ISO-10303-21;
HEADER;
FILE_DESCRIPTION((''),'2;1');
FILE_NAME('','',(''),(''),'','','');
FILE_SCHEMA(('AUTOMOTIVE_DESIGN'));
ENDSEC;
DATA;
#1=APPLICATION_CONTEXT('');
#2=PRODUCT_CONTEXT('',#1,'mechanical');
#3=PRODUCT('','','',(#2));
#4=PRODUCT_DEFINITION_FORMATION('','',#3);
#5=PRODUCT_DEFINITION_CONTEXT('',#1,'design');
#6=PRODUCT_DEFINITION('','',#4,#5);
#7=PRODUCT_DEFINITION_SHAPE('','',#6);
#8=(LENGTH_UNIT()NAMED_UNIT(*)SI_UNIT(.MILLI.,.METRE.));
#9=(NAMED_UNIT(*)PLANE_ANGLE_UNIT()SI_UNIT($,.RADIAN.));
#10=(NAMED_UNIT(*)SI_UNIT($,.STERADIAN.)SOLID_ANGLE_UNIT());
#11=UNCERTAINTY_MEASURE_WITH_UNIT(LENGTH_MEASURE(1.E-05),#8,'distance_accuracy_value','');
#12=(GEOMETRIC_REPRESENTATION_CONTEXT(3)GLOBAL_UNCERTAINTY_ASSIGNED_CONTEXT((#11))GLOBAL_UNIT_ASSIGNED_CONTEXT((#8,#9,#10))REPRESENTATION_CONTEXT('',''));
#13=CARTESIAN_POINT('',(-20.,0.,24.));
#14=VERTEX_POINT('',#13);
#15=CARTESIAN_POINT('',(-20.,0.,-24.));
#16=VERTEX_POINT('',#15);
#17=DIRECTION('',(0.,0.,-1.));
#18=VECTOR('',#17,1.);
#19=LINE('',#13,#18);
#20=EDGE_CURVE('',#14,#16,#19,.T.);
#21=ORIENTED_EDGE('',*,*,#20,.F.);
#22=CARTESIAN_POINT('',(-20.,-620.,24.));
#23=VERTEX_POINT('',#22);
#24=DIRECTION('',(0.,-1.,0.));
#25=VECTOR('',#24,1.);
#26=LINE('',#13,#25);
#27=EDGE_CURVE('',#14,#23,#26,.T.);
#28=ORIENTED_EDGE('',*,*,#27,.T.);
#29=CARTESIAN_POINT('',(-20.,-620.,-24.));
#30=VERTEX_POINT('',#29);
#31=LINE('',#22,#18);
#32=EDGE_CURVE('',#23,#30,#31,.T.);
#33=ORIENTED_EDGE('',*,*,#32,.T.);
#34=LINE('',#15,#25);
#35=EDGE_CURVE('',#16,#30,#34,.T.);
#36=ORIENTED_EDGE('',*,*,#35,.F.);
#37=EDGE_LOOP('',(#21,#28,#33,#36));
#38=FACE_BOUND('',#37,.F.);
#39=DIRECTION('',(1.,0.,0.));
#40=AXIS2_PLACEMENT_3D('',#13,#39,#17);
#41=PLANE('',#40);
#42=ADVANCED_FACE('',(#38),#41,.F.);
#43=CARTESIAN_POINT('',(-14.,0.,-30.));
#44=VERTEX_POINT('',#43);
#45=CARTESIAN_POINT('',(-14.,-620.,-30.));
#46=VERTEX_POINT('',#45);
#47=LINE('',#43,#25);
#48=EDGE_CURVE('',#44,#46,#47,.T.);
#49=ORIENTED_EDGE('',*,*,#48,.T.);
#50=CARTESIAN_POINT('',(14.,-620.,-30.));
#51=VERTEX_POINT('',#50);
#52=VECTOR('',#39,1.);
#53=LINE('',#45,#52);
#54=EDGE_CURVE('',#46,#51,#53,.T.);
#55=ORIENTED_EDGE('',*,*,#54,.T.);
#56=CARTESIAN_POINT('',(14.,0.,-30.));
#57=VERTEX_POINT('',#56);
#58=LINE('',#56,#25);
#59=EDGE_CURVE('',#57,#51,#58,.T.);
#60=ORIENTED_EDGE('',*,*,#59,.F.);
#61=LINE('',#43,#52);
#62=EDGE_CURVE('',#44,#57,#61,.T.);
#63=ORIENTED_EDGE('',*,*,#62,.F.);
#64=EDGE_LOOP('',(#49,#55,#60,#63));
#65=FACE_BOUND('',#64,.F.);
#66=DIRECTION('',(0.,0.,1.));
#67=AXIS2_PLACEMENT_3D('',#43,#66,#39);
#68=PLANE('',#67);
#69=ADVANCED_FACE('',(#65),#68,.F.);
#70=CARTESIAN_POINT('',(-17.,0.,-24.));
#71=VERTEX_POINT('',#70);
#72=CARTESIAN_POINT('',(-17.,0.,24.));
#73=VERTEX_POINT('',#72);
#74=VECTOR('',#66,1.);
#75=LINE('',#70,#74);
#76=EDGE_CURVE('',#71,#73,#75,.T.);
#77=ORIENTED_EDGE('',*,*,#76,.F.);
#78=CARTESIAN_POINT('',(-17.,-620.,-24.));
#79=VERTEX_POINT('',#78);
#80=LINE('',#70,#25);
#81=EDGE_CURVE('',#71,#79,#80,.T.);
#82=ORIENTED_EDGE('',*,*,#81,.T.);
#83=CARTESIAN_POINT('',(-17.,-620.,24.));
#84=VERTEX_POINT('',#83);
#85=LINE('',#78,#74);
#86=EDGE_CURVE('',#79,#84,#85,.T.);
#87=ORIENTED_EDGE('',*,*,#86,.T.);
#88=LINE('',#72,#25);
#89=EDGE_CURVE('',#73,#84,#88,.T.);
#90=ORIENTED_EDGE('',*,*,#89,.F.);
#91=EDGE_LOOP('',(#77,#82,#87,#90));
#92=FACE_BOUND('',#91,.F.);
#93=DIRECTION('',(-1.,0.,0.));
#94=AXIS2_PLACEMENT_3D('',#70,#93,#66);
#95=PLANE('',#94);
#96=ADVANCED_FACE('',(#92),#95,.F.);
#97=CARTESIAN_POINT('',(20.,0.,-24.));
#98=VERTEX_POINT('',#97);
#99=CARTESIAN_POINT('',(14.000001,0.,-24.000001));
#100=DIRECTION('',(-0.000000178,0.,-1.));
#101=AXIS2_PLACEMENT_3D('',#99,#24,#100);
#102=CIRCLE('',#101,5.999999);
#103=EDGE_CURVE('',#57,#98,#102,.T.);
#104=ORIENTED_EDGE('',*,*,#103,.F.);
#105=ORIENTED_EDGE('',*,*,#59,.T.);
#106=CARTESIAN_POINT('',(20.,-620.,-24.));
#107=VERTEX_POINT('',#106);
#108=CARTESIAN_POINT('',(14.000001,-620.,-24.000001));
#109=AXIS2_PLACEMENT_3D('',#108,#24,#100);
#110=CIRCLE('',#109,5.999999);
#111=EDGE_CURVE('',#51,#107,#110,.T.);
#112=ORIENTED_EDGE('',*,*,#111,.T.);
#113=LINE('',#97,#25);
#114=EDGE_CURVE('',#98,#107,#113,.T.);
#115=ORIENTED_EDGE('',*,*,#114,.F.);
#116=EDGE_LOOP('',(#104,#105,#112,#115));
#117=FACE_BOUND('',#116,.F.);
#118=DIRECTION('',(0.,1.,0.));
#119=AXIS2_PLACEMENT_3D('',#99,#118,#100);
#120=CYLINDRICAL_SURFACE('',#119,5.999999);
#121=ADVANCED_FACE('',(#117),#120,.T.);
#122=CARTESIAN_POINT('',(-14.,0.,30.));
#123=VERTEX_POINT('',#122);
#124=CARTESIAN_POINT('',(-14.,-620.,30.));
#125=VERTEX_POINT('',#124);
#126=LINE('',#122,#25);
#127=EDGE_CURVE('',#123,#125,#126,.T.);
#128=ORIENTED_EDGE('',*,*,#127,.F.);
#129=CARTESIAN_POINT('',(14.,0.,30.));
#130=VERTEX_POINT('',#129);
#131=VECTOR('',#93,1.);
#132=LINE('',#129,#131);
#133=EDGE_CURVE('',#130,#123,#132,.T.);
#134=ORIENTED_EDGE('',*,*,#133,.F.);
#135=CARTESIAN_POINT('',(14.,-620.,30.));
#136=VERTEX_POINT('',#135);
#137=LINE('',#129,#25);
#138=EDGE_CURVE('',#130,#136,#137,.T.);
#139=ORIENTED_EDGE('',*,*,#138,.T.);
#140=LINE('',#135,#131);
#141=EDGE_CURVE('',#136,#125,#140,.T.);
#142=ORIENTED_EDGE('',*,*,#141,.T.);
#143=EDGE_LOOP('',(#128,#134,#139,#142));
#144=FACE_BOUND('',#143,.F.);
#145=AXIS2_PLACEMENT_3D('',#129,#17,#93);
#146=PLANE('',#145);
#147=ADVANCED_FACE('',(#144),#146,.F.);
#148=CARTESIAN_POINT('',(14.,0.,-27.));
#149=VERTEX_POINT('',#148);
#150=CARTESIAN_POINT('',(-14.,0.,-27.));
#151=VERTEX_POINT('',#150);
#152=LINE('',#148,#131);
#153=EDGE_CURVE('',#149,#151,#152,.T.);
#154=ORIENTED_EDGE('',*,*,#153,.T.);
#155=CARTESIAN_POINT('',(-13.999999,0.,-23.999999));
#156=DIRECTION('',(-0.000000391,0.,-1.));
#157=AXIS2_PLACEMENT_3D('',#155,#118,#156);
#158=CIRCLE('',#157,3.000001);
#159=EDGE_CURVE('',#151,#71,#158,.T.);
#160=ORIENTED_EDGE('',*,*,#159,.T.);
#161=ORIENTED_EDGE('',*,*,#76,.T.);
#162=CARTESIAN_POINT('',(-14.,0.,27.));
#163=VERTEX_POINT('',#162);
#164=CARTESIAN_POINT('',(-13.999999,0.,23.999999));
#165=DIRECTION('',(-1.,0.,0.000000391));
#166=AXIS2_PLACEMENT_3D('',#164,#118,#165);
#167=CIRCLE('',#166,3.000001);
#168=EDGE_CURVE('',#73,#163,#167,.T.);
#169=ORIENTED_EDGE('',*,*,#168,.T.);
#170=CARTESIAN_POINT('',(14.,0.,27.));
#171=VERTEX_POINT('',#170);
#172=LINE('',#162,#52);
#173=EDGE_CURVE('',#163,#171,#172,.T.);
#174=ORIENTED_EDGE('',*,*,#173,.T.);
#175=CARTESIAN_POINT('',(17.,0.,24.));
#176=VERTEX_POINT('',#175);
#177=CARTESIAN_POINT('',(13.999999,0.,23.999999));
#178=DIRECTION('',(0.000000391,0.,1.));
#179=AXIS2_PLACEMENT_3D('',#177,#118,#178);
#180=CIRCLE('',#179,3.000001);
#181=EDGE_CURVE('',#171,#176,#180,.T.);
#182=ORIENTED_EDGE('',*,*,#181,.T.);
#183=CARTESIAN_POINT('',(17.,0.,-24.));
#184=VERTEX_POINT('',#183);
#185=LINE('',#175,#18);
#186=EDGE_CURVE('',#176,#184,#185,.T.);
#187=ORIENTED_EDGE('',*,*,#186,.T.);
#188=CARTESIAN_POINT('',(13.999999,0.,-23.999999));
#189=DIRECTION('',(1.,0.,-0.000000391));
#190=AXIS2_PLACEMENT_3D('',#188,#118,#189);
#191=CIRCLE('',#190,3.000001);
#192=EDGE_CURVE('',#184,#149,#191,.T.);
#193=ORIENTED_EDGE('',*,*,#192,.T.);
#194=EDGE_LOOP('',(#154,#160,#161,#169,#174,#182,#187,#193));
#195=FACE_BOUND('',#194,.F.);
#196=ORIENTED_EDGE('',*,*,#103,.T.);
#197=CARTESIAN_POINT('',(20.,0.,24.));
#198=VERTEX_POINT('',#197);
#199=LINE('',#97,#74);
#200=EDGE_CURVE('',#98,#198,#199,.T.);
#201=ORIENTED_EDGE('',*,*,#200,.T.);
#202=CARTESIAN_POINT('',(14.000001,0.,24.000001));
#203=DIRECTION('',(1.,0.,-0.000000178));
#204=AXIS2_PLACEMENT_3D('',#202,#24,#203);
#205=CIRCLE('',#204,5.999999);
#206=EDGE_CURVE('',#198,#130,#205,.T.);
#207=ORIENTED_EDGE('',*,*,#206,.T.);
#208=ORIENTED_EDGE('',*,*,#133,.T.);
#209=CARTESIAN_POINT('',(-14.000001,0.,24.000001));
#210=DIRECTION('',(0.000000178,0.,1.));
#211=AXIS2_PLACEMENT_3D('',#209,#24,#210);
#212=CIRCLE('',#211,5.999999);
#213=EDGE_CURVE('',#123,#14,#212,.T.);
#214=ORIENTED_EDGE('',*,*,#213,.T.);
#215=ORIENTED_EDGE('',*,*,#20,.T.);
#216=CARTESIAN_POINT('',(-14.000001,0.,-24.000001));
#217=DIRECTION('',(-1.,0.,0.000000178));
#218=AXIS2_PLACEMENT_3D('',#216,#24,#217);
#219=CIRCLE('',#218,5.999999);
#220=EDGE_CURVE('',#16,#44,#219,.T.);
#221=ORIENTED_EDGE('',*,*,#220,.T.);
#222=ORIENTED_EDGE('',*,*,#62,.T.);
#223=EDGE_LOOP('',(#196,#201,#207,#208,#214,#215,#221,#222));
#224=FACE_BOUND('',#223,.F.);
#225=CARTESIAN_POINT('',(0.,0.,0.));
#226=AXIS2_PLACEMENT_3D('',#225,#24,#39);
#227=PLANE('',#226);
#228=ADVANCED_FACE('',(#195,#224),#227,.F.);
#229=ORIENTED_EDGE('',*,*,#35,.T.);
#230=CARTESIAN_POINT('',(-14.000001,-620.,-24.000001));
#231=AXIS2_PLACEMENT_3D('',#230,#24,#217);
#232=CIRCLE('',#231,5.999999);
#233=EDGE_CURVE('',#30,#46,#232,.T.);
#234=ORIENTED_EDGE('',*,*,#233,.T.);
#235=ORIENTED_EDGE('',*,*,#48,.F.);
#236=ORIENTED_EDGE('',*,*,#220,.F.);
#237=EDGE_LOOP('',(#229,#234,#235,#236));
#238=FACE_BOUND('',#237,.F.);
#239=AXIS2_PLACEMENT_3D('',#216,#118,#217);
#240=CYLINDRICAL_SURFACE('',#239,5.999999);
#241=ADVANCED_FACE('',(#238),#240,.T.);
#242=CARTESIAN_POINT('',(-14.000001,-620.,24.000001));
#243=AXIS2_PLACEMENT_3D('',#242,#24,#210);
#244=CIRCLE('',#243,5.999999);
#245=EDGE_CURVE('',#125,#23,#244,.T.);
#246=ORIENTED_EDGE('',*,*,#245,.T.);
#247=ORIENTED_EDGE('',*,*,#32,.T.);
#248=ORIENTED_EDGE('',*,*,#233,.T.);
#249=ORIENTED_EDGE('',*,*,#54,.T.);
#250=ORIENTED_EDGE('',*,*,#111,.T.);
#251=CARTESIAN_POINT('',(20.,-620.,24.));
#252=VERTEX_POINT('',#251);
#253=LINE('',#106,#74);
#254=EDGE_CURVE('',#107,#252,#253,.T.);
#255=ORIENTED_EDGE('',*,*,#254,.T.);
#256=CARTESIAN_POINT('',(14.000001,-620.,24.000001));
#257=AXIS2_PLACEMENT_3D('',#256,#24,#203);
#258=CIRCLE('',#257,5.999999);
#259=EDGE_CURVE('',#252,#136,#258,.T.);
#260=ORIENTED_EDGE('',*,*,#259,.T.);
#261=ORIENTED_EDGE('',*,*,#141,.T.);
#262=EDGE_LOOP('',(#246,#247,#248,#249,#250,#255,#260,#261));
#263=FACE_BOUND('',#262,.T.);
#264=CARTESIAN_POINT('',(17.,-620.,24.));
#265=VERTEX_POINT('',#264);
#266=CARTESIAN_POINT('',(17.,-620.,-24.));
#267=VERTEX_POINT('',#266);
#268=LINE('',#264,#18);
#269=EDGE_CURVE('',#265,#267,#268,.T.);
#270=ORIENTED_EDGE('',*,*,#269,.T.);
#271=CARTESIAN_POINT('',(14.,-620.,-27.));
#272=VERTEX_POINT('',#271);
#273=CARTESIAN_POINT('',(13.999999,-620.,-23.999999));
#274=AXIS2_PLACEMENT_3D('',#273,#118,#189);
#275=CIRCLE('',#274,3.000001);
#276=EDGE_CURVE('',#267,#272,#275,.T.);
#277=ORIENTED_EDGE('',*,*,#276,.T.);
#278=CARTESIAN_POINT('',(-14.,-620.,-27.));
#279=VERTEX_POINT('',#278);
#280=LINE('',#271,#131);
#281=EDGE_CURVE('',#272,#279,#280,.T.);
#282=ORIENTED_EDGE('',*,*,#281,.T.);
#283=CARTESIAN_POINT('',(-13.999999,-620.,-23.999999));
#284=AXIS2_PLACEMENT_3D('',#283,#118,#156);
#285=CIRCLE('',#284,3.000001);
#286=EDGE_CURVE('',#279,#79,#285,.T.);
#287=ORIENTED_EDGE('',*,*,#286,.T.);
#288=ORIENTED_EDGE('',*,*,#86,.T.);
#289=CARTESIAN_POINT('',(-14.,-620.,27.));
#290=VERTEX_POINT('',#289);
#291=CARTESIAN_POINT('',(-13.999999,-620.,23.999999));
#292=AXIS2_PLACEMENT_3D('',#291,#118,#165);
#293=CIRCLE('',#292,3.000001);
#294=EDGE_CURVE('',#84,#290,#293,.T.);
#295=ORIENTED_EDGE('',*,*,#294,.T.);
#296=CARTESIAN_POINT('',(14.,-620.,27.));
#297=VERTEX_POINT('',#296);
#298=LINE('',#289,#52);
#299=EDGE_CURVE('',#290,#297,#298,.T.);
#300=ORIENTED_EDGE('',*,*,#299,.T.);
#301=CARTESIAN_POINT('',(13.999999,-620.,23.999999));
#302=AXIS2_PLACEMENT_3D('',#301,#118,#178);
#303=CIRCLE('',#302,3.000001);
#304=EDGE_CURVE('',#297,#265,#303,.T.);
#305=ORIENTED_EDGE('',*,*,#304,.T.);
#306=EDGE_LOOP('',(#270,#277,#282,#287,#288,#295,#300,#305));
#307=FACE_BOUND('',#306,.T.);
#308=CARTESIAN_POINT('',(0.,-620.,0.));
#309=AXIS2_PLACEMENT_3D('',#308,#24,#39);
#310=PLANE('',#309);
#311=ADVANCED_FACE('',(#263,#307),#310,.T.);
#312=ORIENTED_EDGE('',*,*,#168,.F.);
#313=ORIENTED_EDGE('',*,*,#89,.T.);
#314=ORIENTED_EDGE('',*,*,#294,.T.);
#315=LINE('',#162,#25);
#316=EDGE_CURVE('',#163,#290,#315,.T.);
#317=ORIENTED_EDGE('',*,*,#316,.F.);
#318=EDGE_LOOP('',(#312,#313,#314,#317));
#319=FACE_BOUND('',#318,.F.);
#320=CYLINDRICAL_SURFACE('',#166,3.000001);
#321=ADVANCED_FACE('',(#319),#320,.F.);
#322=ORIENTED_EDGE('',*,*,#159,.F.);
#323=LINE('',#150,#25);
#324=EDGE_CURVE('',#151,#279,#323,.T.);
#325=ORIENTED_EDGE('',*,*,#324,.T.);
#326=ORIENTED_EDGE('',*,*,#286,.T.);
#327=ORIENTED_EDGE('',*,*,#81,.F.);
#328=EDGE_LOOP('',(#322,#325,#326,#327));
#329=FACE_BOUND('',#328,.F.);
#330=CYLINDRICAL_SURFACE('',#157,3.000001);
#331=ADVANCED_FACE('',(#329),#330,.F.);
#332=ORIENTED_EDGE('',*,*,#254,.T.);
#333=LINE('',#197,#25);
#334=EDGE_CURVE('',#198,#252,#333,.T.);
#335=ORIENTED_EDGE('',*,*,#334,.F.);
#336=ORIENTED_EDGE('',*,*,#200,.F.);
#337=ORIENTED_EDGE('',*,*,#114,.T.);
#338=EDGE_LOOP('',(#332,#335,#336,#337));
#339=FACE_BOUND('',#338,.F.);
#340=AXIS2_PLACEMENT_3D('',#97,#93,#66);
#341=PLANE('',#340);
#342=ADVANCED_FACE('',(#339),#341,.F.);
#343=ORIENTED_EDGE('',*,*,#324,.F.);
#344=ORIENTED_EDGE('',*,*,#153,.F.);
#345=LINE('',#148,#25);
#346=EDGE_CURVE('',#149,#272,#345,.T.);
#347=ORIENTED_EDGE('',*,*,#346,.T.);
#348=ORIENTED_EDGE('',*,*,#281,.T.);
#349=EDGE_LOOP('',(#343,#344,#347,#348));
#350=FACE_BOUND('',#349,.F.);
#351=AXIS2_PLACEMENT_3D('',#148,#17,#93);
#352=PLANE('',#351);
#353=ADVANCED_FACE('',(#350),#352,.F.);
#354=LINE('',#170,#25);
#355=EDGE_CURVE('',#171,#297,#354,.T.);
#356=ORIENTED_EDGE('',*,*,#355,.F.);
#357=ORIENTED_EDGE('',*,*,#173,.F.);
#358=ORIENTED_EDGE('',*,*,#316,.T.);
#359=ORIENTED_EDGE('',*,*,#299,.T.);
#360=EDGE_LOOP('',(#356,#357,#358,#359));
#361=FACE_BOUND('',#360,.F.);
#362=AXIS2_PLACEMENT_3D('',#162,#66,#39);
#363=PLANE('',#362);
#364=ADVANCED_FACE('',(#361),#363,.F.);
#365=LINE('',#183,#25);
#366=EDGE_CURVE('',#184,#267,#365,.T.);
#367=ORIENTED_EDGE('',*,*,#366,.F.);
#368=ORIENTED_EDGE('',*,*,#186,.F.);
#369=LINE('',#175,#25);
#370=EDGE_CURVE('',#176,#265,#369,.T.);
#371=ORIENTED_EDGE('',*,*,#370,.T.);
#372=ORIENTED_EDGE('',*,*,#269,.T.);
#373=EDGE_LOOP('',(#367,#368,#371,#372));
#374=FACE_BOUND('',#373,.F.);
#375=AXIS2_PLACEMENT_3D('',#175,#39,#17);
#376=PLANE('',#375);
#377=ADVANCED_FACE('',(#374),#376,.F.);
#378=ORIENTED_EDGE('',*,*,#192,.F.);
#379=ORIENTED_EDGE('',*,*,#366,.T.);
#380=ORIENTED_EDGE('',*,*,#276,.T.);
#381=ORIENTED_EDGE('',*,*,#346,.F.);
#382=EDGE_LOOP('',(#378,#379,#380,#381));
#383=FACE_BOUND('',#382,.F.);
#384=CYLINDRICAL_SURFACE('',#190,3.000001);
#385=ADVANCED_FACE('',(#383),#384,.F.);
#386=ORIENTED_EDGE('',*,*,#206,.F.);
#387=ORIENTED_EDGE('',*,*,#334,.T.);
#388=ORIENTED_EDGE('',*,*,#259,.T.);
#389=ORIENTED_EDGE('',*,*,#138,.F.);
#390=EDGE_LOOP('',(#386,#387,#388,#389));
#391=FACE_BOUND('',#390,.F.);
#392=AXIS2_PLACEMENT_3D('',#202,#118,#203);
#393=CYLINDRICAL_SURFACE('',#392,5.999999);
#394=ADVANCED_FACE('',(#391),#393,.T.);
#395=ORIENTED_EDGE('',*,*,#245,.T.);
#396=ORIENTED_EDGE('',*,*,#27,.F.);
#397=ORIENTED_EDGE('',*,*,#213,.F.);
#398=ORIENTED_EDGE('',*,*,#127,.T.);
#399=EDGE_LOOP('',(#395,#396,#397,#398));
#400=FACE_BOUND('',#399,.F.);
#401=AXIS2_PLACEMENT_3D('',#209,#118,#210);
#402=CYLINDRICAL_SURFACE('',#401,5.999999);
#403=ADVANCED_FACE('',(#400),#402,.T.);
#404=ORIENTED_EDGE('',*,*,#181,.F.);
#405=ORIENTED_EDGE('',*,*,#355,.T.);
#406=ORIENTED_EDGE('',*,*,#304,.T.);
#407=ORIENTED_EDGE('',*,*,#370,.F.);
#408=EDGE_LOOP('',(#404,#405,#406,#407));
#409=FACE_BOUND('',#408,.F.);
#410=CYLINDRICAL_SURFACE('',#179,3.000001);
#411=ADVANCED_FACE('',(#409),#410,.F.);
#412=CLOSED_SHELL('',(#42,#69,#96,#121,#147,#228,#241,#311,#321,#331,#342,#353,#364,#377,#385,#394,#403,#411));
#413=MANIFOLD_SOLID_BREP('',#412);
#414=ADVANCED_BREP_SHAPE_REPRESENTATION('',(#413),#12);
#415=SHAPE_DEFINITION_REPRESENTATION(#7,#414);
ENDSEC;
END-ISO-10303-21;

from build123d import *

# Parameters (mm, degrees)
F1_DEPTH = 620


with BuildPart() as f1:
    # F0 (on Front) → F1 (new body)
    with BuildSketch(Plane.XZ):
        with BuildLine():
            Line((14, 30), (-14, 30))
            ThreePointArc((-14, 30), (-18.242641, 28.242641), (-20, 24))
            Line((-20, 24), (-20, -24))
            ThreePointArc((-20, -24), (-18.242641, -28.242641), (-14, -30))
            Line((-14, -30), (14, -30))
            ThreePointArc((14, -30), (18.242641, -28.242641), (20, -24))
            Line((20, -24), (20, 24))
            ThreePointArc((20, 24), (18.242641, 28.242641), (14, 30))
        make_face()
        with BuildLine():
            Line((-17, -24), (-17, 24))
            ThreePointArc((-17, 24), (-16.12132, 26.12132), (-14, 27))
            Line((-14, 27), (14, 27))
            ThreePointArc((14, 27), (16.12132, 26.12132), (17, 24))
            Line((17, 24), (17, -24))
            ThreePointArc((17, -24), (16.12132, -26.12132), (14, -27))
            Line((14, -27), (-14, -27))
            ThreePointArc((-14, -27), (-16.12132, -26.12132), (-17, -24))
        make_face(mode=Mode.SUBTRACT)
    extrude(amount=F1_DEPTH)


solid = f1.part
